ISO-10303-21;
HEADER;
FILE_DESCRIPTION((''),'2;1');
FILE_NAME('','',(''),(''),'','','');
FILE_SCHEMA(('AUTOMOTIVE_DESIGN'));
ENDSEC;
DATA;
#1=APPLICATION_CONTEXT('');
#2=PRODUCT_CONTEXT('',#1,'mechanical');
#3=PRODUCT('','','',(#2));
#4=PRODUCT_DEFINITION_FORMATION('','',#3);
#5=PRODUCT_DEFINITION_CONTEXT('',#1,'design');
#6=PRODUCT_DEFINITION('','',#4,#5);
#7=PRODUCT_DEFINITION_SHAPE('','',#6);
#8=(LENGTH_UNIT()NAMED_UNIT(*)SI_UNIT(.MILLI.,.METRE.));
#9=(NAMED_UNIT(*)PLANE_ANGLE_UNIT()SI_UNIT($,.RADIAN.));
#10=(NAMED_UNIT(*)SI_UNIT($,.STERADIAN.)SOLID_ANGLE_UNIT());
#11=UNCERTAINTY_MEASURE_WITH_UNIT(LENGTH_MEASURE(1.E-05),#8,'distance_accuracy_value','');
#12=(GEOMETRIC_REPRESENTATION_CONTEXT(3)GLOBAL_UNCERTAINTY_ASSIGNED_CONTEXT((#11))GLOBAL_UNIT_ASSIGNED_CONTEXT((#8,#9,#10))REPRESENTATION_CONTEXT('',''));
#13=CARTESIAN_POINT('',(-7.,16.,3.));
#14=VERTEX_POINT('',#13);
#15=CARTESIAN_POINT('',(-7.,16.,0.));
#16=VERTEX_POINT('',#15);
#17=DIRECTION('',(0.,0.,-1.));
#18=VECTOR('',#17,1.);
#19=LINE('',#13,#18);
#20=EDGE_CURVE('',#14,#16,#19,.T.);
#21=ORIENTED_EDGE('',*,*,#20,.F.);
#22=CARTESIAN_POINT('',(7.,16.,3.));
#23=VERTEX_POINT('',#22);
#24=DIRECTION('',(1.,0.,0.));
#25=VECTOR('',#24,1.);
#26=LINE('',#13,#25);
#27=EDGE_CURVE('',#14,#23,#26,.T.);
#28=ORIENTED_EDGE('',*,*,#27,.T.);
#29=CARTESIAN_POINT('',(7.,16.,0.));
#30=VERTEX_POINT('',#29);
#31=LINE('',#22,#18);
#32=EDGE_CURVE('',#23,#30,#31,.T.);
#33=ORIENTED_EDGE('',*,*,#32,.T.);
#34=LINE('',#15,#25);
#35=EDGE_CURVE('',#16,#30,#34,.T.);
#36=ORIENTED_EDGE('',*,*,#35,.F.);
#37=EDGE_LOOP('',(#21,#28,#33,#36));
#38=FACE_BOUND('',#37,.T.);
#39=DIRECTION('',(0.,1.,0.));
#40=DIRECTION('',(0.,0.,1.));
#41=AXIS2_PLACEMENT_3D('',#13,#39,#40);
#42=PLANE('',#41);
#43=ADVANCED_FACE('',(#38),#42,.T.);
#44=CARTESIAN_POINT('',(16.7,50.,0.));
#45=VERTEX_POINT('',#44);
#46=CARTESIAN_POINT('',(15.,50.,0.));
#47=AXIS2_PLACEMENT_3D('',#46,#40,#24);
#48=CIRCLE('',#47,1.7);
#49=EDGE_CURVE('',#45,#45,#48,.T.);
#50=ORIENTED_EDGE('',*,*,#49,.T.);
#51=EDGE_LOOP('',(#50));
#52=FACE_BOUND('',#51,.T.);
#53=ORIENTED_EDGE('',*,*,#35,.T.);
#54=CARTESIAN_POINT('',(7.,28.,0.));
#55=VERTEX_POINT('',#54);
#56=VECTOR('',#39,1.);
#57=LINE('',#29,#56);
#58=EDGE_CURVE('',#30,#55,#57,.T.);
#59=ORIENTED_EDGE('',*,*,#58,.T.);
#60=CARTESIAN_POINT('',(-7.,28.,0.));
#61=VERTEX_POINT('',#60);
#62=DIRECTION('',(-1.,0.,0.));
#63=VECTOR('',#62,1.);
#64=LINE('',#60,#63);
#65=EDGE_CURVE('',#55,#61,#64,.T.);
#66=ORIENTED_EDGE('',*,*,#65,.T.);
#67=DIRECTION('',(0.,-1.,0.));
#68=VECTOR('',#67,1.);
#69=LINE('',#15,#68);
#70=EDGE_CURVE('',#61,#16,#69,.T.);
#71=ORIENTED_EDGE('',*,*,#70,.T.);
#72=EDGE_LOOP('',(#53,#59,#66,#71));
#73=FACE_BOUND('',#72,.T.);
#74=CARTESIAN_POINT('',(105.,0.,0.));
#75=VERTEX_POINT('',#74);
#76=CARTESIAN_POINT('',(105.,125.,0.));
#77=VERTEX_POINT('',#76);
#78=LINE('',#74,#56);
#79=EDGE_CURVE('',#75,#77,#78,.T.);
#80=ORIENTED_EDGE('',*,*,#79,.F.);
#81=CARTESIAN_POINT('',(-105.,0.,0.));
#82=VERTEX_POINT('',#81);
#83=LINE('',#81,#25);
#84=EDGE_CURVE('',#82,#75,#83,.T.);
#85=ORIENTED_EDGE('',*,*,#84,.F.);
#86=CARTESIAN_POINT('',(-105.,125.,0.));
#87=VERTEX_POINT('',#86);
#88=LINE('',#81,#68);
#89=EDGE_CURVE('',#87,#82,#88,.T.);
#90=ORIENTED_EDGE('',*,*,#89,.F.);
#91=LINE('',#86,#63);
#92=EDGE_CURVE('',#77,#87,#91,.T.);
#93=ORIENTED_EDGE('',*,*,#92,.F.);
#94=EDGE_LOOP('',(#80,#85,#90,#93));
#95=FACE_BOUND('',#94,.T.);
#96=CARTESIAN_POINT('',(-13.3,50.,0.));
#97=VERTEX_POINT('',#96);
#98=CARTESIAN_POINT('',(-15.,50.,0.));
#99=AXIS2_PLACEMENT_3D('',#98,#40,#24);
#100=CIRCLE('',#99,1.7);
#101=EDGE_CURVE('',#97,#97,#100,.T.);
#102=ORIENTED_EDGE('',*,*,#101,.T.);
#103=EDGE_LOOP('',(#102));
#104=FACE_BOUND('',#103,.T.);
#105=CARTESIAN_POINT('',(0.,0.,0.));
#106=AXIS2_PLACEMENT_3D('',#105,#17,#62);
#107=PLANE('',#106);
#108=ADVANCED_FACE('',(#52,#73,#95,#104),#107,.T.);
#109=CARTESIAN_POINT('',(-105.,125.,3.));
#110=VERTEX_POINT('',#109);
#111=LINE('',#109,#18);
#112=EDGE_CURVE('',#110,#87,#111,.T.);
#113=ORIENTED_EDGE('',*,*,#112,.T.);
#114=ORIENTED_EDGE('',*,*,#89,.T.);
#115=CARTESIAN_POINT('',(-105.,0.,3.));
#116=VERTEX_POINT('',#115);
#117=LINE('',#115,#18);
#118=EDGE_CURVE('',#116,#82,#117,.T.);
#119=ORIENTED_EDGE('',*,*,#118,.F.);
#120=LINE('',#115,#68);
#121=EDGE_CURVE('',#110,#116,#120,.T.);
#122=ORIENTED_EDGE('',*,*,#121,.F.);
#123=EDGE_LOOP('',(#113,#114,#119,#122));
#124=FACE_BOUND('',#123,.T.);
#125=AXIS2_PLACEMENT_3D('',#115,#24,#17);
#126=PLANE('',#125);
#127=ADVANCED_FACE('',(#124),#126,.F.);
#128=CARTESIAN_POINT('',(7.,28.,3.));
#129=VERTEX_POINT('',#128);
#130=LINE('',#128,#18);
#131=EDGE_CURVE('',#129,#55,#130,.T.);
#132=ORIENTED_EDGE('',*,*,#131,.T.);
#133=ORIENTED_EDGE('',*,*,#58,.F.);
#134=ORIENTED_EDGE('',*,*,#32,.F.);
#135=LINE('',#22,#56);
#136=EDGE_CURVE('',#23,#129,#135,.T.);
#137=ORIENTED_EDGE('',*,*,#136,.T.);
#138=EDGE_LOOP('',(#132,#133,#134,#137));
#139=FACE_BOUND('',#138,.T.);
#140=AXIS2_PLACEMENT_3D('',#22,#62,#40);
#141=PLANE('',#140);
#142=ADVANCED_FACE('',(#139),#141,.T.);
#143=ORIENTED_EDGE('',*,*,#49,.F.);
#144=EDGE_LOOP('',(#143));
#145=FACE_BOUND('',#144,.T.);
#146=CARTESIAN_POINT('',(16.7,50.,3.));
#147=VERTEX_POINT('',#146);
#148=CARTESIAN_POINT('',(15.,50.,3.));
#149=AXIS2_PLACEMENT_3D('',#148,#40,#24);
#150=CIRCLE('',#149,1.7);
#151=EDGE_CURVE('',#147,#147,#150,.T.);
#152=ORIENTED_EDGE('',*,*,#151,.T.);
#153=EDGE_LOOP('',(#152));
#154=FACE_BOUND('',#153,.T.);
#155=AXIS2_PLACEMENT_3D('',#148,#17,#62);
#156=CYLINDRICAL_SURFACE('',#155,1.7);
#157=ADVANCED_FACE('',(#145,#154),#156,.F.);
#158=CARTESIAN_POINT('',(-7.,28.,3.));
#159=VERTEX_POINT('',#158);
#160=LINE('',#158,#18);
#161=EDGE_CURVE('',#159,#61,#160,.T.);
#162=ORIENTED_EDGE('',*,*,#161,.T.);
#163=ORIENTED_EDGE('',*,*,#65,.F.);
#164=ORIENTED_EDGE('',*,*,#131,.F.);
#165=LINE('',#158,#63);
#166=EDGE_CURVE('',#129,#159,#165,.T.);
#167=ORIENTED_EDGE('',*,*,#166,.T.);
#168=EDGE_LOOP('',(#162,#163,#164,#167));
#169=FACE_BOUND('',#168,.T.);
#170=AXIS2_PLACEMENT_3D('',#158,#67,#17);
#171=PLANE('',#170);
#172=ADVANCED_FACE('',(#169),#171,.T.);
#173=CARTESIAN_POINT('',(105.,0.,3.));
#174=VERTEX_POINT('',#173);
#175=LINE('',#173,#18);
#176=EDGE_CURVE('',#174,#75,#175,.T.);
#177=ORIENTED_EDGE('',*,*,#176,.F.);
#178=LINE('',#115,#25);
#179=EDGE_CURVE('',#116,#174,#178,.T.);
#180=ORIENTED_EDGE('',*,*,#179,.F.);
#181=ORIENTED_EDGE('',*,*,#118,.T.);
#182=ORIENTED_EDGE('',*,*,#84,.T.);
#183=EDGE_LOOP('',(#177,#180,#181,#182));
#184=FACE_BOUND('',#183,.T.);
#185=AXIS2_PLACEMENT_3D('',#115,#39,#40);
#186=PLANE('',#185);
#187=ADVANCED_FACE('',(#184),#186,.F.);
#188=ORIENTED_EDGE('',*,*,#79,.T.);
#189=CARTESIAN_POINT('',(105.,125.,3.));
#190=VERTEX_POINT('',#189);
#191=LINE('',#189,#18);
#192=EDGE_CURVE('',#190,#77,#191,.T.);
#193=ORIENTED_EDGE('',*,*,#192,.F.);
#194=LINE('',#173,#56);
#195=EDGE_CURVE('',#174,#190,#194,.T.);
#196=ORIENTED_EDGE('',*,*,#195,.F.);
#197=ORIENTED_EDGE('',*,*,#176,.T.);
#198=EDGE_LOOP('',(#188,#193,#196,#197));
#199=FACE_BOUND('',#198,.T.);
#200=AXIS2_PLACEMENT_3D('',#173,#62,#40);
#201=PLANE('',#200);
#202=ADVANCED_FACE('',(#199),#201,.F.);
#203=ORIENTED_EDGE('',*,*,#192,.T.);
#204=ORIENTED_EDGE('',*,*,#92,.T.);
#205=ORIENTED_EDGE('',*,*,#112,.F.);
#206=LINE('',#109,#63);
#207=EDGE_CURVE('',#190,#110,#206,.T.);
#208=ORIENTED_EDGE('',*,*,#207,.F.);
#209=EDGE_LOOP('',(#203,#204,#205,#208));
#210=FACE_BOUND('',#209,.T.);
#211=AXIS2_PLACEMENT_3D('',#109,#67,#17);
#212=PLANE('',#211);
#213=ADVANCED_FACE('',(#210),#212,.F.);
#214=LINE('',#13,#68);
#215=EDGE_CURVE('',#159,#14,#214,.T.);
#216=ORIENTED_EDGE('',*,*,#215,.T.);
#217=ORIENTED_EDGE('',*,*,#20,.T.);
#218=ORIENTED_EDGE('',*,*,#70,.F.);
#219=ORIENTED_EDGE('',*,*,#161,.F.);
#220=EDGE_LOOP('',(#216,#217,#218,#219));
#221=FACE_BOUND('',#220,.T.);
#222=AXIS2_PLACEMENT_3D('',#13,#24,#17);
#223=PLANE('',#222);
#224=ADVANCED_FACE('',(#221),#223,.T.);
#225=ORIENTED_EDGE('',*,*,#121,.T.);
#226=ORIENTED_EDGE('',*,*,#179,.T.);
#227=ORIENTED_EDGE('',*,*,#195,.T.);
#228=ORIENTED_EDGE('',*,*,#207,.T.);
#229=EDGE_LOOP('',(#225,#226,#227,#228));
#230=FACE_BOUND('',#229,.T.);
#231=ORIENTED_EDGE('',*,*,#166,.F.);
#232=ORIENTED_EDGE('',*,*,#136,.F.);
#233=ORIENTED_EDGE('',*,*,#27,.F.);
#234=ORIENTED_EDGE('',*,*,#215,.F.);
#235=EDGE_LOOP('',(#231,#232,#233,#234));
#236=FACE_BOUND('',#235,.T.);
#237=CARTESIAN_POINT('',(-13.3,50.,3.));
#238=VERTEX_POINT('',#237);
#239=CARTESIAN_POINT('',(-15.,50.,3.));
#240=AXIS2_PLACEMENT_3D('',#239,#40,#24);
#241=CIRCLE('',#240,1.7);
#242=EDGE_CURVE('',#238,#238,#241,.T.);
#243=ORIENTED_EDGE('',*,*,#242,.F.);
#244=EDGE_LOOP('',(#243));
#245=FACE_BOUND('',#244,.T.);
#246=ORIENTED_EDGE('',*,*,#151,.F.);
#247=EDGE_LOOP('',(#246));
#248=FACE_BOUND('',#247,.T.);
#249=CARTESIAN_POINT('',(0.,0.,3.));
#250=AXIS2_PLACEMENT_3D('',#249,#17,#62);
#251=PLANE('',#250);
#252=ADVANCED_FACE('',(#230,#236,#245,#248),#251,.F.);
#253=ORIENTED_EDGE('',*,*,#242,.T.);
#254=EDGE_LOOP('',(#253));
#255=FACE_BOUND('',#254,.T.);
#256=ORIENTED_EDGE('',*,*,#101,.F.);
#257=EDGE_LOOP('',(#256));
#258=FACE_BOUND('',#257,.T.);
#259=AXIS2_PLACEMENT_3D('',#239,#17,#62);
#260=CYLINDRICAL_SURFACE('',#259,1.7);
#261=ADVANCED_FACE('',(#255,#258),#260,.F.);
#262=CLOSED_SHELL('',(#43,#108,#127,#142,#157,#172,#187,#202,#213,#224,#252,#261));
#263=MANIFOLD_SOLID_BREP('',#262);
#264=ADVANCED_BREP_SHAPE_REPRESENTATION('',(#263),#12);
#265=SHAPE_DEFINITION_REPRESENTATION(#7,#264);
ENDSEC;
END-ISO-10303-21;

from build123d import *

# Parameters (mm, degrees)
SK_PLATE_W            = 210
SK_PLATE_H            = 125
EX_PLATE_DEPTH        = 3
SK_WEDGESCREWS_R      = 1.7
CUT_WEDGESCREWS_DEPTH = 3
SK_USB_SLOT_W         = 14
SK_USB_SLOT_H         = 12
CUT_USB_SLOT_DEPTH    = 3


with BuildPart() as part:
    # SK_Plate → EX_Plate (new body)
    with BuildSketch(Plane.XY):
        with Locations((0, 62.5)):
            Rectangle(SK_PLATE_W, SK_PLATE_H)
    extrude(amount=EX_PLATE_DEPTH)

    # SK_WedgeScrews → CUT_WedgeScrews (cut)
    with BuildSketch(Plane.XY):
        with Locations((15, 50)):
            Circle(SK_WEDGESCREWS_R)
        with Locations((-15, 50)):
            Circle(SK_WEDGESCREWS_R)
    extrude(amount=CUT_WEDGESCREWS_DEPTH, mode=Mode.SUBTRACT)

    # SK_USB_Slot → CUT_USB_Slot (cut)
    with BuildSketch(Plane.XY):
        with Locations((0, 22)):
            Rectangle(SK_USB_SLOT_W, SK_USB_SLOT_H)
    extrude(amount=CUT_USB_SLOT_DEPTH, mode=Mode.SUBTRACT)


solid = part.part
